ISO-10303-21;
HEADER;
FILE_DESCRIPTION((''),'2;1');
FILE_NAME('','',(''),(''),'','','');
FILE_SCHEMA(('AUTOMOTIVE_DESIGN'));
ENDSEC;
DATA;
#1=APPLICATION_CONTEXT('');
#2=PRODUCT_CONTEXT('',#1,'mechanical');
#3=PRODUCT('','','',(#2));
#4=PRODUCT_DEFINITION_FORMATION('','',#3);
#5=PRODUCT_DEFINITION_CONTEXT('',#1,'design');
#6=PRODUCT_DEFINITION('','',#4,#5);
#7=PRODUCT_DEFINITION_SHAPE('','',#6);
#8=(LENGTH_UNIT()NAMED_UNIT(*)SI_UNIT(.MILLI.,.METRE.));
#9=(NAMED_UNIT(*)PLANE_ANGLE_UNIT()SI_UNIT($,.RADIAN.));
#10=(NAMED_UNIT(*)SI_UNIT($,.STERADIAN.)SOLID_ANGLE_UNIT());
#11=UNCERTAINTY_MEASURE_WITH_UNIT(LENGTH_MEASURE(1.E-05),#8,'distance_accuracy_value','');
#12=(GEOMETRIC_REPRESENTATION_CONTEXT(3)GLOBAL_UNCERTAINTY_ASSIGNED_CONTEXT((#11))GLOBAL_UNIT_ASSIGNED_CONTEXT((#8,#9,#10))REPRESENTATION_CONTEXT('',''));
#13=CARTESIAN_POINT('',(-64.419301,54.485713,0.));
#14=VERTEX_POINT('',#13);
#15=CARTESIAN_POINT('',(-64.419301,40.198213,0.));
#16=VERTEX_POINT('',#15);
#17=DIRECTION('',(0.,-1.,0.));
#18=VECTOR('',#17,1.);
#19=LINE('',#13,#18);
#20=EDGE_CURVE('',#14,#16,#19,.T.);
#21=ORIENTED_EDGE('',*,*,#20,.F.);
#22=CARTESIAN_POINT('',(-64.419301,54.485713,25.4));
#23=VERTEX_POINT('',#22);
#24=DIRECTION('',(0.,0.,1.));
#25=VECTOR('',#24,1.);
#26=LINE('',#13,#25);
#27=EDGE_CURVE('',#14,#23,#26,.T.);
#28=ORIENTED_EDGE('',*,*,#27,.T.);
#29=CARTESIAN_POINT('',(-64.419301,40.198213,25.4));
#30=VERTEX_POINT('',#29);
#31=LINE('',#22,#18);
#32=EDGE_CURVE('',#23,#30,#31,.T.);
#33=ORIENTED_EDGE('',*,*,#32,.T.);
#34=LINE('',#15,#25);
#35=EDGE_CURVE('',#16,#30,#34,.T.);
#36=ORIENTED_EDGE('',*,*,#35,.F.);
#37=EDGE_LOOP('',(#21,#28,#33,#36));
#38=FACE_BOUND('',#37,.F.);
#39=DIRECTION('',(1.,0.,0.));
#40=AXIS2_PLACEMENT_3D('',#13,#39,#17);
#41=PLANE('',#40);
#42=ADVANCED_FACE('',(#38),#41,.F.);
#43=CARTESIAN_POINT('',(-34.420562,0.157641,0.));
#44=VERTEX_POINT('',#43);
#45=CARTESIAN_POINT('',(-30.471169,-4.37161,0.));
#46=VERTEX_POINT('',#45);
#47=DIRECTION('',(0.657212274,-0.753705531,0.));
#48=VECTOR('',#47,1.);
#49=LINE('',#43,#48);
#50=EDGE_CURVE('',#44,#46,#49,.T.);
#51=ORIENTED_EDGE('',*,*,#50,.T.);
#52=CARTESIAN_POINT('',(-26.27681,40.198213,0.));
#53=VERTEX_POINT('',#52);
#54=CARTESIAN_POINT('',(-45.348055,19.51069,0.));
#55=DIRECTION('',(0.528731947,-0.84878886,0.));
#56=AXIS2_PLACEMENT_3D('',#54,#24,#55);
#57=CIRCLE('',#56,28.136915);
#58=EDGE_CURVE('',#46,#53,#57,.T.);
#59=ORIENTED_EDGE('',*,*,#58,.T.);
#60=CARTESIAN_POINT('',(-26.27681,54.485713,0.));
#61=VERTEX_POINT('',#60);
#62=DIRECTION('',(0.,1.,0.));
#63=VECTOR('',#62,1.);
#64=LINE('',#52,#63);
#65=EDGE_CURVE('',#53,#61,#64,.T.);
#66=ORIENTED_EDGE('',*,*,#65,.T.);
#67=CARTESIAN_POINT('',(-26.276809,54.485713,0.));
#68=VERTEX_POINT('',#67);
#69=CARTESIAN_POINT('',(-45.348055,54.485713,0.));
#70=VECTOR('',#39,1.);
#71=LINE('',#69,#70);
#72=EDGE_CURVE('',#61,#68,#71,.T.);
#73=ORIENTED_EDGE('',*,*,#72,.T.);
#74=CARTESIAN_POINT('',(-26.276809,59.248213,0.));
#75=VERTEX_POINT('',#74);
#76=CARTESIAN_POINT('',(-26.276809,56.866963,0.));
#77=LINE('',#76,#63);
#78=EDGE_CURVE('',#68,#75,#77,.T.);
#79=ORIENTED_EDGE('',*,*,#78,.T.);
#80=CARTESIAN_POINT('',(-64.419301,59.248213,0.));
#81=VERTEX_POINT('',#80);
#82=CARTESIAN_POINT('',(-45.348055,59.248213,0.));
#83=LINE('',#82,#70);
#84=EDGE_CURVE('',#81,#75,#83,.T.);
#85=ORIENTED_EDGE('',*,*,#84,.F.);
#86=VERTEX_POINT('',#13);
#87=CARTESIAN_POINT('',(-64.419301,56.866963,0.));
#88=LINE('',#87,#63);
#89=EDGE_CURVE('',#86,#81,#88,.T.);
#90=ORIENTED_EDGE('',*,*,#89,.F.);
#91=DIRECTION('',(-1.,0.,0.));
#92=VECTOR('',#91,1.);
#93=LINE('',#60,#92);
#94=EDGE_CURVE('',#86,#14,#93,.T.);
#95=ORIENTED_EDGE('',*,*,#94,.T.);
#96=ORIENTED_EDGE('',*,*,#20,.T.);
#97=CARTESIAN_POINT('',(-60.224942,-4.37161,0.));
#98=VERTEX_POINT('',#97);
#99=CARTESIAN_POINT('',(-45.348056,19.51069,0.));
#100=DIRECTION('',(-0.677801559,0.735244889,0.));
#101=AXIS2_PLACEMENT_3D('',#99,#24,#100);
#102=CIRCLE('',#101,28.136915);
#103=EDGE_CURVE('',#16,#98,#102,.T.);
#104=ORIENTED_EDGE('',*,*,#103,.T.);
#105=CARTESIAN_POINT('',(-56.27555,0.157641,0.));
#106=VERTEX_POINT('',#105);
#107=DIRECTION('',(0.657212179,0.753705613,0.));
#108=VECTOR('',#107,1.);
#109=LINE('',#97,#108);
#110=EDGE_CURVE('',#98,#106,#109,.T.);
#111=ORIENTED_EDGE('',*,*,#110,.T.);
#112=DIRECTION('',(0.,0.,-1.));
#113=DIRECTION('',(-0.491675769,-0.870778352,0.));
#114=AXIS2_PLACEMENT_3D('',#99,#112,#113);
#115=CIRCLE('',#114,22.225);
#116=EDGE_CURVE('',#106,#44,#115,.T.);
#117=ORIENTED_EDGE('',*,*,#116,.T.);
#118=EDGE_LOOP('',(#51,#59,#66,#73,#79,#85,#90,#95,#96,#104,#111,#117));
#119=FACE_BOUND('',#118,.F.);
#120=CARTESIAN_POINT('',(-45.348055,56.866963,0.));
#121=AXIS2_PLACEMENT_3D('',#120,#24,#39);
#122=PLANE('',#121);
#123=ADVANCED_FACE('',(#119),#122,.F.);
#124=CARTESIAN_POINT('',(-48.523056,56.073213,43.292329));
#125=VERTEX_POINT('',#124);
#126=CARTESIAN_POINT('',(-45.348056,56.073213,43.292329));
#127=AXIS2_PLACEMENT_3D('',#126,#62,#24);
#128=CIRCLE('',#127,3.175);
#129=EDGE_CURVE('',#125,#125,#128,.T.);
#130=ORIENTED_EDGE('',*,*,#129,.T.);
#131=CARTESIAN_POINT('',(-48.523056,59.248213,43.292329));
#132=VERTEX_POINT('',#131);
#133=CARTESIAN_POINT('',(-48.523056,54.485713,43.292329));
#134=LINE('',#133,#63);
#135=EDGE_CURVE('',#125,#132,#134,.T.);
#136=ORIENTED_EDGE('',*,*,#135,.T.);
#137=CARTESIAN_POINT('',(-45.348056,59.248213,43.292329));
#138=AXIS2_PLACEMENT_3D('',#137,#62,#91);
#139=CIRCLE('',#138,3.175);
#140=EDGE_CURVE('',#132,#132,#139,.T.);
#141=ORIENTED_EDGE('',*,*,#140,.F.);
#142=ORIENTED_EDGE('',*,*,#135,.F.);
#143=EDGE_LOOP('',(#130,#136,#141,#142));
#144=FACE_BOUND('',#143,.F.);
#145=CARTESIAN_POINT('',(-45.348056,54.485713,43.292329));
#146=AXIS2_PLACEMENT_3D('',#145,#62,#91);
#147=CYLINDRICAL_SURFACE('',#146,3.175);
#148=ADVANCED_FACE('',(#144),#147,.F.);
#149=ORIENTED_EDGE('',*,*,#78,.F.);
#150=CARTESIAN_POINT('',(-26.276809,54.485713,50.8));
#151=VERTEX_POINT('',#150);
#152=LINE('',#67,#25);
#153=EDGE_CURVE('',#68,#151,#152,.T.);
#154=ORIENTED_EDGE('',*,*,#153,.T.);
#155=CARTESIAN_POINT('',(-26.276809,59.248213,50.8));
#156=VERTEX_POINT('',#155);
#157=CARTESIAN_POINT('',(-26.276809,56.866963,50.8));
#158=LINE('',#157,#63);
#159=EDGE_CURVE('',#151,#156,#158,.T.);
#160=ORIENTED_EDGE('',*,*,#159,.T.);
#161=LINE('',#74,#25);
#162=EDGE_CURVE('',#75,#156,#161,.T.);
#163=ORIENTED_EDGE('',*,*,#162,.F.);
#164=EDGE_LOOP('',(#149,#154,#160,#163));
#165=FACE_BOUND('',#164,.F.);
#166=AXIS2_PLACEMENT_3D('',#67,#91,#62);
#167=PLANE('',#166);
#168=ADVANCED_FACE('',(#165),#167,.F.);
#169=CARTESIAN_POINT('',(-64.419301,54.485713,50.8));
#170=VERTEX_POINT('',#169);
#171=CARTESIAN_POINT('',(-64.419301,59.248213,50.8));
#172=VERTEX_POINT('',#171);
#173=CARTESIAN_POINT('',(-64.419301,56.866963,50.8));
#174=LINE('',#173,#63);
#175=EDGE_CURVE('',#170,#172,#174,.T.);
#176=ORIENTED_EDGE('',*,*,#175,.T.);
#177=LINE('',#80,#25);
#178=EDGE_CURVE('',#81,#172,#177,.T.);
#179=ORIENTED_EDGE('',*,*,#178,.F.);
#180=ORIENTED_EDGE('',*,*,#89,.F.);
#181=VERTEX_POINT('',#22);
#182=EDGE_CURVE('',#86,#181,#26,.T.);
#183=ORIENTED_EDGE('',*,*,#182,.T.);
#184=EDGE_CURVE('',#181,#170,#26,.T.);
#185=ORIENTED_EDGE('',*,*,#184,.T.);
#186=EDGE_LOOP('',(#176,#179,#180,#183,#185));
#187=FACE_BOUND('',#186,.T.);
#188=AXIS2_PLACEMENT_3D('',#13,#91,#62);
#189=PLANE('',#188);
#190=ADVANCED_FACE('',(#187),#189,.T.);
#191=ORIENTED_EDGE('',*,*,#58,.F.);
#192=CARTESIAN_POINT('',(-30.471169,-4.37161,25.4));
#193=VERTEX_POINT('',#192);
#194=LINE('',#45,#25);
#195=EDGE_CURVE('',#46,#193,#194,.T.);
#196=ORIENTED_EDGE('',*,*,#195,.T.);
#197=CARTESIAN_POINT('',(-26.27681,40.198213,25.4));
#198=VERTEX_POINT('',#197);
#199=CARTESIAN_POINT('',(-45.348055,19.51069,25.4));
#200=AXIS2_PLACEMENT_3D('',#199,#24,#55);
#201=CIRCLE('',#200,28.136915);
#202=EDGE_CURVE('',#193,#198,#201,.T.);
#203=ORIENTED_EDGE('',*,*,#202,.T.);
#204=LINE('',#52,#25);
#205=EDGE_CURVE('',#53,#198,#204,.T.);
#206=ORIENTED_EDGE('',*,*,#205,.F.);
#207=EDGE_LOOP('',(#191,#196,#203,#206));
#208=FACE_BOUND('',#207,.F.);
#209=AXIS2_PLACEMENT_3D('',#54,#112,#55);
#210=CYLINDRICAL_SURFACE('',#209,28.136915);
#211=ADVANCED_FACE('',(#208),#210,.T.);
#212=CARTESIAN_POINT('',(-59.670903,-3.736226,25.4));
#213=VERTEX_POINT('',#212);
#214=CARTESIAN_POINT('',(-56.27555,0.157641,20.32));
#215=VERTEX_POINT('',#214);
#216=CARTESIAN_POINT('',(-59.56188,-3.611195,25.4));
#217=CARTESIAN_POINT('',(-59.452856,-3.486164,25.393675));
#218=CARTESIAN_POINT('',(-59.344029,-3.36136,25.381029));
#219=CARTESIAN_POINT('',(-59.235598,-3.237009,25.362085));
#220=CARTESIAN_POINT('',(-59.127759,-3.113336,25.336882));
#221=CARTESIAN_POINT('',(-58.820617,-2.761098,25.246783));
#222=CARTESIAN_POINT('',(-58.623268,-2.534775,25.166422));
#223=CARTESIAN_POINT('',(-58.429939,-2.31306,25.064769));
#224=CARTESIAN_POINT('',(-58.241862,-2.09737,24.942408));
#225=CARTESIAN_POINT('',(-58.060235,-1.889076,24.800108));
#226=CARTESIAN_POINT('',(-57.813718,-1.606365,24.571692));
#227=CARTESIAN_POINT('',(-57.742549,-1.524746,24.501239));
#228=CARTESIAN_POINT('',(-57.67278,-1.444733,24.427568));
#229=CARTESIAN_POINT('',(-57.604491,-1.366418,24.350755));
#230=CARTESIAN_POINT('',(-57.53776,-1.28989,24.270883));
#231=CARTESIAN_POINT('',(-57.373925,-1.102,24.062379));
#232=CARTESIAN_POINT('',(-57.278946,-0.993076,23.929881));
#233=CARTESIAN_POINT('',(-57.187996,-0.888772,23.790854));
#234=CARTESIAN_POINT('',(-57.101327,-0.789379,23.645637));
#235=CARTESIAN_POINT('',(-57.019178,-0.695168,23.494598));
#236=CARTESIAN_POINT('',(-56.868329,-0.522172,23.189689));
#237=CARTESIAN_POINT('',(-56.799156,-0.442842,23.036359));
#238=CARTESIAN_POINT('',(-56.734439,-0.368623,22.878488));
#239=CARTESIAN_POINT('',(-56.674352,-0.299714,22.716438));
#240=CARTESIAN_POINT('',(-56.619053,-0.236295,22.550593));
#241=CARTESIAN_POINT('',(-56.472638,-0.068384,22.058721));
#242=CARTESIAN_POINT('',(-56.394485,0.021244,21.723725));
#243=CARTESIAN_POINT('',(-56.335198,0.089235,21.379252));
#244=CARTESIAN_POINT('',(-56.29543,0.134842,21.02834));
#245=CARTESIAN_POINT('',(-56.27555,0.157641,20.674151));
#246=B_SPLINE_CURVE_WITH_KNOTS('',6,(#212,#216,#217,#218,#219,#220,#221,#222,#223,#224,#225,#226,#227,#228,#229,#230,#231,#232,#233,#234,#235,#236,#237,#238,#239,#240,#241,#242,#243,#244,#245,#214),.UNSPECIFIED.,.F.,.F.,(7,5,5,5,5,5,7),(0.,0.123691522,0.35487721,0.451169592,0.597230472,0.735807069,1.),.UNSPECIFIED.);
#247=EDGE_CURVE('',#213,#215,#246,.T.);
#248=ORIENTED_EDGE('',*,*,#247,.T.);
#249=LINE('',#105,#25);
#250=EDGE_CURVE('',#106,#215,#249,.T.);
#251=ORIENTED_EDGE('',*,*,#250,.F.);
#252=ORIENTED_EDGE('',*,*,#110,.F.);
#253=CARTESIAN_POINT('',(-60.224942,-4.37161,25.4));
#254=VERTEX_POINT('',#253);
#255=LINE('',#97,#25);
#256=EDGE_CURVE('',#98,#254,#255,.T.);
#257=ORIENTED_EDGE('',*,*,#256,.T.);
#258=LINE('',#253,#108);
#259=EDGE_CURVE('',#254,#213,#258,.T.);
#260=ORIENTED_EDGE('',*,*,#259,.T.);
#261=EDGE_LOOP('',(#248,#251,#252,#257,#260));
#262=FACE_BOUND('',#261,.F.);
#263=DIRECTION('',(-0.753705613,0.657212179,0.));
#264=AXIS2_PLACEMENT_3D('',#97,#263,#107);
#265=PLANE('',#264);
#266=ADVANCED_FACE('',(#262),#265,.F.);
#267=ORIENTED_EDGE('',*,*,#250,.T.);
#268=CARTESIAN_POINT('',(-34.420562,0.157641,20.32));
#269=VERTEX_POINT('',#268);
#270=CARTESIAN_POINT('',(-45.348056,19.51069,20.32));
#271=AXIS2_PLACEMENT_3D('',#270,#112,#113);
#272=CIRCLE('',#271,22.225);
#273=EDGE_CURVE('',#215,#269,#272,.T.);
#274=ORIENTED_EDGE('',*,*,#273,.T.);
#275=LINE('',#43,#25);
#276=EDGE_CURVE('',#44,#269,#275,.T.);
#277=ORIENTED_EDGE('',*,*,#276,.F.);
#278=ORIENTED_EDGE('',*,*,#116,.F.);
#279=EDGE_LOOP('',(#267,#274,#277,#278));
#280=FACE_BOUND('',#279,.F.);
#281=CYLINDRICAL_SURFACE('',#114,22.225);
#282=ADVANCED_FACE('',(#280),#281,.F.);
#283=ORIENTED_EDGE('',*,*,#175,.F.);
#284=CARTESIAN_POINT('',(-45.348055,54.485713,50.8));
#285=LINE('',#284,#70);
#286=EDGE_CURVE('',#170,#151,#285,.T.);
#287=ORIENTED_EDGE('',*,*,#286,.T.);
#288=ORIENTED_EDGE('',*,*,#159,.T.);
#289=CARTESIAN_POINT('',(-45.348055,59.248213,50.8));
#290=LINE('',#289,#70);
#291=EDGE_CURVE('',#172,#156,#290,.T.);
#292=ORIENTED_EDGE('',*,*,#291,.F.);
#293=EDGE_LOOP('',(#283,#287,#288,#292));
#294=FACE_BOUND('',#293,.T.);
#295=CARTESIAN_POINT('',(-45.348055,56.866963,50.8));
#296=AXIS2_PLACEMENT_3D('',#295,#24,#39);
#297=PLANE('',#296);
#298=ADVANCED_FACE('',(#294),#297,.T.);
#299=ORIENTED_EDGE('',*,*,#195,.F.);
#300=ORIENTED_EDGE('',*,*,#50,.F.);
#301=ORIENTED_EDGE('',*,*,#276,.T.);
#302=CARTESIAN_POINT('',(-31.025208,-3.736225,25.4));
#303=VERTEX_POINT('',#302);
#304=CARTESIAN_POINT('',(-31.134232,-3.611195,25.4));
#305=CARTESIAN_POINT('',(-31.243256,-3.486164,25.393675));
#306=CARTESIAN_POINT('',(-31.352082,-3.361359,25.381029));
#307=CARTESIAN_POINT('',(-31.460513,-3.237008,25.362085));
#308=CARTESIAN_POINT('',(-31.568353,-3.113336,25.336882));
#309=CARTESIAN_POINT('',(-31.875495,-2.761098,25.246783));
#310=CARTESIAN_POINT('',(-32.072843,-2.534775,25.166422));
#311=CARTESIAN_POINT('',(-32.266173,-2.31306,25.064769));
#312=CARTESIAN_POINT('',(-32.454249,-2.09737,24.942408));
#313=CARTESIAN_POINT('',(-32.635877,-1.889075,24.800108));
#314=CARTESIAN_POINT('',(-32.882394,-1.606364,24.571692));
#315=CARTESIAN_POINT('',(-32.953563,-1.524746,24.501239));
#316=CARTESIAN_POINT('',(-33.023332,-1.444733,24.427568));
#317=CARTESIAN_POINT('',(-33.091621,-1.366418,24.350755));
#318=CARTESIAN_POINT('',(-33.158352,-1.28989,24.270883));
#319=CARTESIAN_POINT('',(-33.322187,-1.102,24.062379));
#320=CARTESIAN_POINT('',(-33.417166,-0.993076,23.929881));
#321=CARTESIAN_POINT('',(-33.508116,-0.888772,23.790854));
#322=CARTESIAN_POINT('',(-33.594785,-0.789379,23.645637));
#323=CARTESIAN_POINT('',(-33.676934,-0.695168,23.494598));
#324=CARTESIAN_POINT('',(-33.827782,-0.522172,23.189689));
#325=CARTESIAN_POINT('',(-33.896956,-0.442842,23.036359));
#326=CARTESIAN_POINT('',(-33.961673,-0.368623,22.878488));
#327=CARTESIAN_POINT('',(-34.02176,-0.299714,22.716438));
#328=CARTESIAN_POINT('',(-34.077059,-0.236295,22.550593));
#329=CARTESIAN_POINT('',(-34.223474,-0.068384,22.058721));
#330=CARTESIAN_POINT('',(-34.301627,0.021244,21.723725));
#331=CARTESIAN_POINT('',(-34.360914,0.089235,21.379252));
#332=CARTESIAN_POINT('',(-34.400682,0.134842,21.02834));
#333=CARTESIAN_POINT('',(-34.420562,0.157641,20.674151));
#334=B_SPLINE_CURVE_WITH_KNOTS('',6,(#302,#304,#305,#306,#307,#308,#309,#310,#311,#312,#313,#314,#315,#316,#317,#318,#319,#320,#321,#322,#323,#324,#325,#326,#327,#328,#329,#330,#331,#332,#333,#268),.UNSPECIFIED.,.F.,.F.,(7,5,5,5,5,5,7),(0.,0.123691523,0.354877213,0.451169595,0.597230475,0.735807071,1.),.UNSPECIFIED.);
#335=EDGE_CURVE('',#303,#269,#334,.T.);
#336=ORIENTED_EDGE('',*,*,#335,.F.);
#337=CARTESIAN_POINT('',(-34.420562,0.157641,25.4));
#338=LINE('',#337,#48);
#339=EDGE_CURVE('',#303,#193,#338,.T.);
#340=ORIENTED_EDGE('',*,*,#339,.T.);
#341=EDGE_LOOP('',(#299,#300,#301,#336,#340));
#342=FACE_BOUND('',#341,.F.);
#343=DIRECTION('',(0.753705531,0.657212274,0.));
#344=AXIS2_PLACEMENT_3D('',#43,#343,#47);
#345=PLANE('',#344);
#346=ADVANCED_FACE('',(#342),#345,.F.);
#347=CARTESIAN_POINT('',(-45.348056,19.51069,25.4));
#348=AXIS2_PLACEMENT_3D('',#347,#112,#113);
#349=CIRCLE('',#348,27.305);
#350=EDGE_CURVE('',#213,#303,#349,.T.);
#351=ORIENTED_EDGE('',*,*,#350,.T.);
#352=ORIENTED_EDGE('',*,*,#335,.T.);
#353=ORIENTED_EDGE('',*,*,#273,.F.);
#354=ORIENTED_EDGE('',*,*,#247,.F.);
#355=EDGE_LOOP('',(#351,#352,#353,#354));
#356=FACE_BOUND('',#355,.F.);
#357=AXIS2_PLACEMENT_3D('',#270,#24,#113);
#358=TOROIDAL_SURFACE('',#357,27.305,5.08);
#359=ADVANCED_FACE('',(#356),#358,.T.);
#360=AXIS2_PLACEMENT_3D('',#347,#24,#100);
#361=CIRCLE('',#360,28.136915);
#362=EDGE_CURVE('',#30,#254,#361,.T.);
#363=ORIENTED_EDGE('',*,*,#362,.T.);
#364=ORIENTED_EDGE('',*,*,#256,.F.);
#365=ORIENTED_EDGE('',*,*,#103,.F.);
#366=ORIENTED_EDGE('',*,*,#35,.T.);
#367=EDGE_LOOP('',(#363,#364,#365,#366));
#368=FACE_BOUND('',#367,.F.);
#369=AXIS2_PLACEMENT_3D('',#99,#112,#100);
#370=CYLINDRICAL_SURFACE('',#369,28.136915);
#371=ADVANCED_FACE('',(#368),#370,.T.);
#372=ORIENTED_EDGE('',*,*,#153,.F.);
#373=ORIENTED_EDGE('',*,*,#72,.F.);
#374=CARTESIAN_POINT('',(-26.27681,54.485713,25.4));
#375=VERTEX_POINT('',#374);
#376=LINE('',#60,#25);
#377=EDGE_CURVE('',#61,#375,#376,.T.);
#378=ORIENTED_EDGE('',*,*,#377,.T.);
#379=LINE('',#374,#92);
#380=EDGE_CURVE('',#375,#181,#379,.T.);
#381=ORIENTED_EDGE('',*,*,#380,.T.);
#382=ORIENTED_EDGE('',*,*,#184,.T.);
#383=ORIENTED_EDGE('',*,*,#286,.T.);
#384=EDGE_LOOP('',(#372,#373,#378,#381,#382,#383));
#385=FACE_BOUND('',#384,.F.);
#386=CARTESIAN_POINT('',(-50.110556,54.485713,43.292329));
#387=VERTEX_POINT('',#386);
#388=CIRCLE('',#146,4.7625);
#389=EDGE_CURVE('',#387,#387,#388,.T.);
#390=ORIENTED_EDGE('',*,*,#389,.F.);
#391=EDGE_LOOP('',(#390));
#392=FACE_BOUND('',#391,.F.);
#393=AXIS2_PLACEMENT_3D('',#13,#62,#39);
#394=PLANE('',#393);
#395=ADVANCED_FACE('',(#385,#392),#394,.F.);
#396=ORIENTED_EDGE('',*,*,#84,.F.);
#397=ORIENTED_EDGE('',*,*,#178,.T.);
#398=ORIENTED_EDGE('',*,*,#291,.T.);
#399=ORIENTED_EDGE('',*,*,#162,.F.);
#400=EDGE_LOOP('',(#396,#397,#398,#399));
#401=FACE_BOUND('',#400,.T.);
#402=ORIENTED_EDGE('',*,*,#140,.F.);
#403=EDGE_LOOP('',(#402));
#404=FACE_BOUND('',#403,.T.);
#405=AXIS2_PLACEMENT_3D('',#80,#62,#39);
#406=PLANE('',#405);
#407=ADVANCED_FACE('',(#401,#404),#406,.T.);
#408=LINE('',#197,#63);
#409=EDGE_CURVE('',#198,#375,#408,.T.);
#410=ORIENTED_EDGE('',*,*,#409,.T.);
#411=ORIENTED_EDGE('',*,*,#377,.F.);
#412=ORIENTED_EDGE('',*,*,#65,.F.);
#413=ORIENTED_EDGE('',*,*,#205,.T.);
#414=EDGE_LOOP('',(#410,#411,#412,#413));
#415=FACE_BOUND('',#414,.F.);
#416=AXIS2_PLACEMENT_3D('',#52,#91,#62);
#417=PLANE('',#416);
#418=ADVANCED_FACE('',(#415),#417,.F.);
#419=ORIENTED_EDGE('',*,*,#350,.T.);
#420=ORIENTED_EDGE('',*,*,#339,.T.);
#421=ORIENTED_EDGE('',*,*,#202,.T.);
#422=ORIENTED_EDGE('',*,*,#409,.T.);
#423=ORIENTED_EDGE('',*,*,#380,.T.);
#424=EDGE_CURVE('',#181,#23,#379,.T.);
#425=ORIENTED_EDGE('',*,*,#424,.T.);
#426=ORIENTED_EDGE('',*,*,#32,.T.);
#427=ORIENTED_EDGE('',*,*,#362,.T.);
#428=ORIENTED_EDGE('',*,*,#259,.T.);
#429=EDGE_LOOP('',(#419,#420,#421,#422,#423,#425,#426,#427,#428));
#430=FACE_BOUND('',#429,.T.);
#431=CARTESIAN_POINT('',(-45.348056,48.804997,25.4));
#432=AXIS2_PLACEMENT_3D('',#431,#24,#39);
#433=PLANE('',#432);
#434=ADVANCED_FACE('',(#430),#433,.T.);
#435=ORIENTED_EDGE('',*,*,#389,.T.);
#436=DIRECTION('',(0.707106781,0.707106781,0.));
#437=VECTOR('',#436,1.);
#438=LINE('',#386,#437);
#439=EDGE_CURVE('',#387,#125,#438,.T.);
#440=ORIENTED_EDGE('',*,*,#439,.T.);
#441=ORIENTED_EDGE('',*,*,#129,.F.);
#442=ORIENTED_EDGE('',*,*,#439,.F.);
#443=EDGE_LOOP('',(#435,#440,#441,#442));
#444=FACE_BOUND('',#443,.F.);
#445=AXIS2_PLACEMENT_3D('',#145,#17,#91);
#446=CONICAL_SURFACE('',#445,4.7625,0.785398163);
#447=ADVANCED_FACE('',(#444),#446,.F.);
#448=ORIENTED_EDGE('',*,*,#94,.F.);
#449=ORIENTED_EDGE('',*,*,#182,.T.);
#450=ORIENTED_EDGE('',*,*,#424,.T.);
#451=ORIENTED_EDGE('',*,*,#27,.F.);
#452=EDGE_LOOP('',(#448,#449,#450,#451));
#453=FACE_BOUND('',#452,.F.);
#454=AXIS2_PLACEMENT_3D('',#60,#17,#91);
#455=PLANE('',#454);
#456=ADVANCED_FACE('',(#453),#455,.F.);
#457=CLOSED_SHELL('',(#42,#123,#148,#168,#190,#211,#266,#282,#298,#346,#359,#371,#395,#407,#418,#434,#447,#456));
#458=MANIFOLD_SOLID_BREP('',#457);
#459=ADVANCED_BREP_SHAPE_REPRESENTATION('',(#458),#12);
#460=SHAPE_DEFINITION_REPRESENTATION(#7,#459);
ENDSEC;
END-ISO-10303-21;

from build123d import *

# Parameters (mm, degrees)
F1_DEPTH       = 25.4
F0_W           = 38.142491
F0_H           = 4.7625
F2_DEPTH       = 50.8
F4_D           = 6.35
F4_CSINK_D     = 9.525
F4_CSINK_ANGLE = 90
F5_R           = 5.08


with BuildPart() as f1:
    # F0 (on Top) → F1 (new body)
    with BuildSketch(Plane.XY):
        with BuildLine():
            Line((-26.27681, 54.485713), (-64.419301, 54.485713))
            Line((-64.419301, 54.485713), (-64.419301, 49.723213))
            Line((-64.419301, 49.723213), (-64.419301, 40.198213))
            ThreePointArc((-64.419301, 40.198213), (-45.348056, 47.647605), (-26.27681, 40.198213))
            Line((-26.27681, 40.198213), (-26.27681, 49.723213))
            Line((-26.27681, 49.723213), (-26.27681, 54.485713))
        make_face()
        with BuildLine():
            ThreePointArc((-26.27681, 40.198213), (-45.348056, 47.647605), (-64.419301, 40.198213))
            ThreePointArc((-64.419301, 40.198213), (-73.361199, 16.87444), (-60.224942, -4.37161))
            Line((-60.224942, -4.37161), (-56.27555, 0.157641))
            ThreePointArc((-56.27555, 0.157641), (-45.348056, 41.73569), (-34.420562, 0.157641))
            Line((-34.420562, 0.157641), (-30.471169, -4.37161))
            ThreePointArc((-30.471169, -4.37161), (-17.334912, 16.87444), (-26.27681, 40.198213))
        make_face()
    extrude(amount=F1_DEPTH)

    # F0 (on Top) → F2 (join)
    with BuildSketch(Plane.XY):
        with Locations((-45.348055, 56.866963)):
            Rectangle(F0_W, F0_H)
    extrude(amount=F2_DEPTH)

    # F4 (through all)
    with Locations(Plane.XZ.offset(-54.485713)):
        with Locations((-45.348056, 43.292329)):
            CounterSinkHole(F4_D / 2, F4_CSINK_D / 2, counter_sink_angle=F4_CSINK_ANGLE)

    # F5
    f5_edges = [f1.edges().sort_by_distance(p)[0] for p in [
        (-45.348056, 41.73569, 25.4),
    ]]
    fillet(f5_edges, radius=F5_R)


solid = f1.part
